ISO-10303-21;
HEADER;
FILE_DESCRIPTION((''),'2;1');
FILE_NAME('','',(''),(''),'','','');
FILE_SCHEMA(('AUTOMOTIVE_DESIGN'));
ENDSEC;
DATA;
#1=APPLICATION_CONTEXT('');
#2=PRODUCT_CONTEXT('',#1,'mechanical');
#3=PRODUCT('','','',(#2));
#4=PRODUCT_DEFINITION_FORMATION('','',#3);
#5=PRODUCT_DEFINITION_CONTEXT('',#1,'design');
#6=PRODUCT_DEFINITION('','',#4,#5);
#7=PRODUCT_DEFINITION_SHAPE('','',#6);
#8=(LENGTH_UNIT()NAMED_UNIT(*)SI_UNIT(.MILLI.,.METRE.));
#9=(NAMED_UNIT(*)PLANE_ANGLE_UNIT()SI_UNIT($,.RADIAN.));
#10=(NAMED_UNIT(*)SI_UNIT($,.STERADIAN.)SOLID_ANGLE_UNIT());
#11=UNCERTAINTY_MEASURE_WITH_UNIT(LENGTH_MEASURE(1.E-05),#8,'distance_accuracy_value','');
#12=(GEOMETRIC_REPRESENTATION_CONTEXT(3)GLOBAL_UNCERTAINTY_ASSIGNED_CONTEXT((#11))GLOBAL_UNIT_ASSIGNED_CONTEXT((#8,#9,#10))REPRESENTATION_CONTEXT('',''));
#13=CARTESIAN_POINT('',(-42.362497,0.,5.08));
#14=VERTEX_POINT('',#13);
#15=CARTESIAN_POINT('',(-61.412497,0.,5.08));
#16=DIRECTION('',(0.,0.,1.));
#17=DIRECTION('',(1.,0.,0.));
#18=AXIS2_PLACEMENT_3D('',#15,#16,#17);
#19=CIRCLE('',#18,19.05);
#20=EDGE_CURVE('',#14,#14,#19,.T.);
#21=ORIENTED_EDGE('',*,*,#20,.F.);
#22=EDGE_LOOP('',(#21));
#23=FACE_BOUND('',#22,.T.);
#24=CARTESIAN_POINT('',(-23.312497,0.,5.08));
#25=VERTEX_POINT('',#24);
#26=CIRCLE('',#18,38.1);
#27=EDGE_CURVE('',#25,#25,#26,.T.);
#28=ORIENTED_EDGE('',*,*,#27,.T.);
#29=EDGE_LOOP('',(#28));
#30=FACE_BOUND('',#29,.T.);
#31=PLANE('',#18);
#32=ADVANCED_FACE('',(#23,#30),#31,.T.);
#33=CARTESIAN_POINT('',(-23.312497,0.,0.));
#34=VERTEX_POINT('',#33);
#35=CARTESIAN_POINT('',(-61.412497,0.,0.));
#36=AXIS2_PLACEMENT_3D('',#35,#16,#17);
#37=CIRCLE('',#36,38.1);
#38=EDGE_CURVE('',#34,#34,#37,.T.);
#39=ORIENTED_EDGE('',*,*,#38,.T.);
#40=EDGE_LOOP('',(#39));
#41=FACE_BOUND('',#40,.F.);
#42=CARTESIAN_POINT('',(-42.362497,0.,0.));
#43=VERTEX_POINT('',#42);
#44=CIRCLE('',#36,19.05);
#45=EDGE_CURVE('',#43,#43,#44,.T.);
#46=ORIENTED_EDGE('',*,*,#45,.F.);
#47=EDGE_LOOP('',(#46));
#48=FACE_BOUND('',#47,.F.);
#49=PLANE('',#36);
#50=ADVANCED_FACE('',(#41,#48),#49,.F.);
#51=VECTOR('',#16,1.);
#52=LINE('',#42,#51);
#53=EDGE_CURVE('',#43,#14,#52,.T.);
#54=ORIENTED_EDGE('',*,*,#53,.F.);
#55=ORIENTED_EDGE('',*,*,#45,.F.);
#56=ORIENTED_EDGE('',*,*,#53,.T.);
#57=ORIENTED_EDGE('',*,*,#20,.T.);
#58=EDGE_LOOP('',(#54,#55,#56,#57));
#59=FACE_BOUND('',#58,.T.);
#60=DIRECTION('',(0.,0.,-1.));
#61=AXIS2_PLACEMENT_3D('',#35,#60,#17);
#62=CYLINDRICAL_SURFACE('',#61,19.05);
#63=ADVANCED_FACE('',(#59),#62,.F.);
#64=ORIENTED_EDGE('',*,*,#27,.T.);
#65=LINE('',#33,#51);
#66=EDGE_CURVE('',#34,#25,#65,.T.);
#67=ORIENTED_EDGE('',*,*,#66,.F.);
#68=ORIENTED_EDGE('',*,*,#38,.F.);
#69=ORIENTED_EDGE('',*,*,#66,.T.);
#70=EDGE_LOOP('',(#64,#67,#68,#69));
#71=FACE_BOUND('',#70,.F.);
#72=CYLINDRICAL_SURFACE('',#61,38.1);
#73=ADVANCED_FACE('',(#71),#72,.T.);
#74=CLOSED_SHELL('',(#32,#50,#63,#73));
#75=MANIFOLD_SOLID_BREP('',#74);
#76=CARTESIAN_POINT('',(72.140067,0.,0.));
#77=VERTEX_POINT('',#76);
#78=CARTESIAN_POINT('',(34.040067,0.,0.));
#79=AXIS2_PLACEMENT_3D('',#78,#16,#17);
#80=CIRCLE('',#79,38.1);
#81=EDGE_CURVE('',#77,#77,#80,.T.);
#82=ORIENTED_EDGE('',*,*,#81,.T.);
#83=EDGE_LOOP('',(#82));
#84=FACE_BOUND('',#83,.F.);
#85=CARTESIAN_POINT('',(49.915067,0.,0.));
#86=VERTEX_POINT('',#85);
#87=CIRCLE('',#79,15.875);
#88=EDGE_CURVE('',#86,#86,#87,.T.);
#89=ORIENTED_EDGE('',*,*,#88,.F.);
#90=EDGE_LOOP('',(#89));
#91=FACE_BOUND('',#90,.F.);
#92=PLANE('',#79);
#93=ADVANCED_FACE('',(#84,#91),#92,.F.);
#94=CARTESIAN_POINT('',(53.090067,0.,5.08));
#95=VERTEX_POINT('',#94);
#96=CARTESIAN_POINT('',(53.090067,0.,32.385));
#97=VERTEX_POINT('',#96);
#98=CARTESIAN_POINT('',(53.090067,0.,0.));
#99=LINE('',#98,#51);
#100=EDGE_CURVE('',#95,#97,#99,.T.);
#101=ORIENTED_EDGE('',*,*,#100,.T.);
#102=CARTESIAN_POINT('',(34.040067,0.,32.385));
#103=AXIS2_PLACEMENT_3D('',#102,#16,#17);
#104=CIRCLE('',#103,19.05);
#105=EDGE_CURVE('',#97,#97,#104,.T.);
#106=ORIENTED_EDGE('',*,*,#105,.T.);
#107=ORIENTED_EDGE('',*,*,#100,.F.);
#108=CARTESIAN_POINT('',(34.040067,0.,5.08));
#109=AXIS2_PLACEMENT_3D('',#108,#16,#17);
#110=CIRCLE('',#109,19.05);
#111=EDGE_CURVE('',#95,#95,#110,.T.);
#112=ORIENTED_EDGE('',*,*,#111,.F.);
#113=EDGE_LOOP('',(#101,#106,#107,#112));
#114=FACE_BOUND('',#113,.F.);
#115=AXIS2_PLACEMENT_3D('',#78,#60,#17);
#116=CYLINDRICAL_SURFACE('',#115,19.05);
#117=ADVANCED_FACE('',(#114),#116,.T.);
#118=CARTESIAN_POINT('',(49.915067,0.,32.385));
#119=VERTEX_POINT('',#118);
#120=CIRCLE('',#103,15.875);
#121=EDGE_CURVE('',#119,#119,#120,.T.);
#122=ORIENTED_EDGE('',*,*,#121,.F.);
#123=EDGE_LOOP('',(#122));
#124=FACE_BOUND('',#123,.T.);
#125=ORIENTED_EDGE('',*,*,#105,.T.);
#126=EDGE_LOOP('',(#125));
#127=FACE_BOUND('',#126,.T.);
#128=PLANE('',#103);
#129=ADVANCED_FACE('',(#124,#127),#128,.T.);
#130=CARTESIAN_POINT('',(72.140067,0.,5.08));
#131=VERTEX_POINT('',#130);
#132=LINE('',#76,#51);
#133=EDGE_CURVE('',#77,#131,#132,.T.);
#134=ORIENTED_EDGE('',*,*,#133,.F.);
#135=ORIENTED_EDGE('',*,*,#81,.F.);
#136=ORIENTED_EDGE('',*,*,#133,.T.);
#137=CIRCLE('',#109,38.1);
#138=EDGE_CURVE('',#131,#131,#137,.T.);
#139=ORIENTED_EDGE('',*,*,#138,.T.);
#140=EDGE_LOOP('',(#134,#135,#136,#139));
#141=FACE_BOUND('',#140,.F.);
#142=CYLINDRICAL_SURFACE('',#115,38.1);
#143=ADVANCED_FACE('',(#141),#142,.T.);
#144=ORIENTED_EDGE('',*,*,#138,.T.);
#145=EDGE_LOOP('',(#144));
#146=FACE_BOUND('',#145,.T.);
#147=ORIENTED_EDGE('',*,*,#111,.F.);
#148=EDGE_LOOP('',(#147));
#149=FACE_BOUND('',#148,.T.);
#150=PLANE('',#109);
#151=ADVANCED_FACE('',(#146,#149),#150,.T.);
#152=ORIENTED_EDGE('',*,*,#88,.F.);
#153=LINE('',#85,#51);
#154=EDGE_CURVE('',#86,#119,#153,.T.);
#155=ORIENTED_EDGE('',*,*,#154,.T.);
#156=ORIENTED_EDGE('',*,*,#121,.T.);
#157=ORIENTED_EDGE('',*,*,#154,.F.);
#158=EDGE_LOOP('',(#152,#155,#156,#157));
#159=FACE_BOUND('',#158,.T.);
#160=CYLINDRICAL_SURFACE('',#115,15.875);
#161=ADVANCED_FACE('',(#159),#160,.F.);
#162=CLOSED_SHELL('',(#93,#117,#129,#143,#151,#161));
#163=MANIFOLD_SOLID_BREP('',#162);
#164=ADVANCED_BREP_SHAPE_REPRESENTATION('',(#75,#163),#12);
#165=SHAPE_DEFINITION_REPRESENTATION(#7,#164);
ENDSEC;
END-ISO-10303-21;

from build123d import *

# Parameters (mm, degrees)
F0_R     = 38.1
F0_R_2   = 19.05
F1_DEPTH = 5.08
F0_R_3   = 15.875
F2_DEPTH = 32.385


with BuildPart() as f1:
    # F0 (on Top) → F1 (new body)
    with BuildSketch(Plane.XY):
        with Locations((34.040067, 0)):
            Circle(F0_R)
        with Locations((34.040067, 0)):
            Circle(F0_R_2, mode=Mode.SUBTRACT)
        with Locations((-61.412497, 0)):
            Circle(F0_R)
        with Locations((-61.412497, 0)):
            Circle(F0_R_2, mode=Mode.SUBTRACT)
    extrude(amount=F1_DEPTH)

    # F0 (on Top) → F2 (join)
    with BuildSketch(Plane.XY):
        with Locations((34.040067, 0)):
            Circle(F0_R_2)
        with Locations((34.040067, 0)):
            Circle(F0_R_3, mode=Mode.SUBTRACT)
    extrude(amount=F2_DEPTH)


solid = f1.part
